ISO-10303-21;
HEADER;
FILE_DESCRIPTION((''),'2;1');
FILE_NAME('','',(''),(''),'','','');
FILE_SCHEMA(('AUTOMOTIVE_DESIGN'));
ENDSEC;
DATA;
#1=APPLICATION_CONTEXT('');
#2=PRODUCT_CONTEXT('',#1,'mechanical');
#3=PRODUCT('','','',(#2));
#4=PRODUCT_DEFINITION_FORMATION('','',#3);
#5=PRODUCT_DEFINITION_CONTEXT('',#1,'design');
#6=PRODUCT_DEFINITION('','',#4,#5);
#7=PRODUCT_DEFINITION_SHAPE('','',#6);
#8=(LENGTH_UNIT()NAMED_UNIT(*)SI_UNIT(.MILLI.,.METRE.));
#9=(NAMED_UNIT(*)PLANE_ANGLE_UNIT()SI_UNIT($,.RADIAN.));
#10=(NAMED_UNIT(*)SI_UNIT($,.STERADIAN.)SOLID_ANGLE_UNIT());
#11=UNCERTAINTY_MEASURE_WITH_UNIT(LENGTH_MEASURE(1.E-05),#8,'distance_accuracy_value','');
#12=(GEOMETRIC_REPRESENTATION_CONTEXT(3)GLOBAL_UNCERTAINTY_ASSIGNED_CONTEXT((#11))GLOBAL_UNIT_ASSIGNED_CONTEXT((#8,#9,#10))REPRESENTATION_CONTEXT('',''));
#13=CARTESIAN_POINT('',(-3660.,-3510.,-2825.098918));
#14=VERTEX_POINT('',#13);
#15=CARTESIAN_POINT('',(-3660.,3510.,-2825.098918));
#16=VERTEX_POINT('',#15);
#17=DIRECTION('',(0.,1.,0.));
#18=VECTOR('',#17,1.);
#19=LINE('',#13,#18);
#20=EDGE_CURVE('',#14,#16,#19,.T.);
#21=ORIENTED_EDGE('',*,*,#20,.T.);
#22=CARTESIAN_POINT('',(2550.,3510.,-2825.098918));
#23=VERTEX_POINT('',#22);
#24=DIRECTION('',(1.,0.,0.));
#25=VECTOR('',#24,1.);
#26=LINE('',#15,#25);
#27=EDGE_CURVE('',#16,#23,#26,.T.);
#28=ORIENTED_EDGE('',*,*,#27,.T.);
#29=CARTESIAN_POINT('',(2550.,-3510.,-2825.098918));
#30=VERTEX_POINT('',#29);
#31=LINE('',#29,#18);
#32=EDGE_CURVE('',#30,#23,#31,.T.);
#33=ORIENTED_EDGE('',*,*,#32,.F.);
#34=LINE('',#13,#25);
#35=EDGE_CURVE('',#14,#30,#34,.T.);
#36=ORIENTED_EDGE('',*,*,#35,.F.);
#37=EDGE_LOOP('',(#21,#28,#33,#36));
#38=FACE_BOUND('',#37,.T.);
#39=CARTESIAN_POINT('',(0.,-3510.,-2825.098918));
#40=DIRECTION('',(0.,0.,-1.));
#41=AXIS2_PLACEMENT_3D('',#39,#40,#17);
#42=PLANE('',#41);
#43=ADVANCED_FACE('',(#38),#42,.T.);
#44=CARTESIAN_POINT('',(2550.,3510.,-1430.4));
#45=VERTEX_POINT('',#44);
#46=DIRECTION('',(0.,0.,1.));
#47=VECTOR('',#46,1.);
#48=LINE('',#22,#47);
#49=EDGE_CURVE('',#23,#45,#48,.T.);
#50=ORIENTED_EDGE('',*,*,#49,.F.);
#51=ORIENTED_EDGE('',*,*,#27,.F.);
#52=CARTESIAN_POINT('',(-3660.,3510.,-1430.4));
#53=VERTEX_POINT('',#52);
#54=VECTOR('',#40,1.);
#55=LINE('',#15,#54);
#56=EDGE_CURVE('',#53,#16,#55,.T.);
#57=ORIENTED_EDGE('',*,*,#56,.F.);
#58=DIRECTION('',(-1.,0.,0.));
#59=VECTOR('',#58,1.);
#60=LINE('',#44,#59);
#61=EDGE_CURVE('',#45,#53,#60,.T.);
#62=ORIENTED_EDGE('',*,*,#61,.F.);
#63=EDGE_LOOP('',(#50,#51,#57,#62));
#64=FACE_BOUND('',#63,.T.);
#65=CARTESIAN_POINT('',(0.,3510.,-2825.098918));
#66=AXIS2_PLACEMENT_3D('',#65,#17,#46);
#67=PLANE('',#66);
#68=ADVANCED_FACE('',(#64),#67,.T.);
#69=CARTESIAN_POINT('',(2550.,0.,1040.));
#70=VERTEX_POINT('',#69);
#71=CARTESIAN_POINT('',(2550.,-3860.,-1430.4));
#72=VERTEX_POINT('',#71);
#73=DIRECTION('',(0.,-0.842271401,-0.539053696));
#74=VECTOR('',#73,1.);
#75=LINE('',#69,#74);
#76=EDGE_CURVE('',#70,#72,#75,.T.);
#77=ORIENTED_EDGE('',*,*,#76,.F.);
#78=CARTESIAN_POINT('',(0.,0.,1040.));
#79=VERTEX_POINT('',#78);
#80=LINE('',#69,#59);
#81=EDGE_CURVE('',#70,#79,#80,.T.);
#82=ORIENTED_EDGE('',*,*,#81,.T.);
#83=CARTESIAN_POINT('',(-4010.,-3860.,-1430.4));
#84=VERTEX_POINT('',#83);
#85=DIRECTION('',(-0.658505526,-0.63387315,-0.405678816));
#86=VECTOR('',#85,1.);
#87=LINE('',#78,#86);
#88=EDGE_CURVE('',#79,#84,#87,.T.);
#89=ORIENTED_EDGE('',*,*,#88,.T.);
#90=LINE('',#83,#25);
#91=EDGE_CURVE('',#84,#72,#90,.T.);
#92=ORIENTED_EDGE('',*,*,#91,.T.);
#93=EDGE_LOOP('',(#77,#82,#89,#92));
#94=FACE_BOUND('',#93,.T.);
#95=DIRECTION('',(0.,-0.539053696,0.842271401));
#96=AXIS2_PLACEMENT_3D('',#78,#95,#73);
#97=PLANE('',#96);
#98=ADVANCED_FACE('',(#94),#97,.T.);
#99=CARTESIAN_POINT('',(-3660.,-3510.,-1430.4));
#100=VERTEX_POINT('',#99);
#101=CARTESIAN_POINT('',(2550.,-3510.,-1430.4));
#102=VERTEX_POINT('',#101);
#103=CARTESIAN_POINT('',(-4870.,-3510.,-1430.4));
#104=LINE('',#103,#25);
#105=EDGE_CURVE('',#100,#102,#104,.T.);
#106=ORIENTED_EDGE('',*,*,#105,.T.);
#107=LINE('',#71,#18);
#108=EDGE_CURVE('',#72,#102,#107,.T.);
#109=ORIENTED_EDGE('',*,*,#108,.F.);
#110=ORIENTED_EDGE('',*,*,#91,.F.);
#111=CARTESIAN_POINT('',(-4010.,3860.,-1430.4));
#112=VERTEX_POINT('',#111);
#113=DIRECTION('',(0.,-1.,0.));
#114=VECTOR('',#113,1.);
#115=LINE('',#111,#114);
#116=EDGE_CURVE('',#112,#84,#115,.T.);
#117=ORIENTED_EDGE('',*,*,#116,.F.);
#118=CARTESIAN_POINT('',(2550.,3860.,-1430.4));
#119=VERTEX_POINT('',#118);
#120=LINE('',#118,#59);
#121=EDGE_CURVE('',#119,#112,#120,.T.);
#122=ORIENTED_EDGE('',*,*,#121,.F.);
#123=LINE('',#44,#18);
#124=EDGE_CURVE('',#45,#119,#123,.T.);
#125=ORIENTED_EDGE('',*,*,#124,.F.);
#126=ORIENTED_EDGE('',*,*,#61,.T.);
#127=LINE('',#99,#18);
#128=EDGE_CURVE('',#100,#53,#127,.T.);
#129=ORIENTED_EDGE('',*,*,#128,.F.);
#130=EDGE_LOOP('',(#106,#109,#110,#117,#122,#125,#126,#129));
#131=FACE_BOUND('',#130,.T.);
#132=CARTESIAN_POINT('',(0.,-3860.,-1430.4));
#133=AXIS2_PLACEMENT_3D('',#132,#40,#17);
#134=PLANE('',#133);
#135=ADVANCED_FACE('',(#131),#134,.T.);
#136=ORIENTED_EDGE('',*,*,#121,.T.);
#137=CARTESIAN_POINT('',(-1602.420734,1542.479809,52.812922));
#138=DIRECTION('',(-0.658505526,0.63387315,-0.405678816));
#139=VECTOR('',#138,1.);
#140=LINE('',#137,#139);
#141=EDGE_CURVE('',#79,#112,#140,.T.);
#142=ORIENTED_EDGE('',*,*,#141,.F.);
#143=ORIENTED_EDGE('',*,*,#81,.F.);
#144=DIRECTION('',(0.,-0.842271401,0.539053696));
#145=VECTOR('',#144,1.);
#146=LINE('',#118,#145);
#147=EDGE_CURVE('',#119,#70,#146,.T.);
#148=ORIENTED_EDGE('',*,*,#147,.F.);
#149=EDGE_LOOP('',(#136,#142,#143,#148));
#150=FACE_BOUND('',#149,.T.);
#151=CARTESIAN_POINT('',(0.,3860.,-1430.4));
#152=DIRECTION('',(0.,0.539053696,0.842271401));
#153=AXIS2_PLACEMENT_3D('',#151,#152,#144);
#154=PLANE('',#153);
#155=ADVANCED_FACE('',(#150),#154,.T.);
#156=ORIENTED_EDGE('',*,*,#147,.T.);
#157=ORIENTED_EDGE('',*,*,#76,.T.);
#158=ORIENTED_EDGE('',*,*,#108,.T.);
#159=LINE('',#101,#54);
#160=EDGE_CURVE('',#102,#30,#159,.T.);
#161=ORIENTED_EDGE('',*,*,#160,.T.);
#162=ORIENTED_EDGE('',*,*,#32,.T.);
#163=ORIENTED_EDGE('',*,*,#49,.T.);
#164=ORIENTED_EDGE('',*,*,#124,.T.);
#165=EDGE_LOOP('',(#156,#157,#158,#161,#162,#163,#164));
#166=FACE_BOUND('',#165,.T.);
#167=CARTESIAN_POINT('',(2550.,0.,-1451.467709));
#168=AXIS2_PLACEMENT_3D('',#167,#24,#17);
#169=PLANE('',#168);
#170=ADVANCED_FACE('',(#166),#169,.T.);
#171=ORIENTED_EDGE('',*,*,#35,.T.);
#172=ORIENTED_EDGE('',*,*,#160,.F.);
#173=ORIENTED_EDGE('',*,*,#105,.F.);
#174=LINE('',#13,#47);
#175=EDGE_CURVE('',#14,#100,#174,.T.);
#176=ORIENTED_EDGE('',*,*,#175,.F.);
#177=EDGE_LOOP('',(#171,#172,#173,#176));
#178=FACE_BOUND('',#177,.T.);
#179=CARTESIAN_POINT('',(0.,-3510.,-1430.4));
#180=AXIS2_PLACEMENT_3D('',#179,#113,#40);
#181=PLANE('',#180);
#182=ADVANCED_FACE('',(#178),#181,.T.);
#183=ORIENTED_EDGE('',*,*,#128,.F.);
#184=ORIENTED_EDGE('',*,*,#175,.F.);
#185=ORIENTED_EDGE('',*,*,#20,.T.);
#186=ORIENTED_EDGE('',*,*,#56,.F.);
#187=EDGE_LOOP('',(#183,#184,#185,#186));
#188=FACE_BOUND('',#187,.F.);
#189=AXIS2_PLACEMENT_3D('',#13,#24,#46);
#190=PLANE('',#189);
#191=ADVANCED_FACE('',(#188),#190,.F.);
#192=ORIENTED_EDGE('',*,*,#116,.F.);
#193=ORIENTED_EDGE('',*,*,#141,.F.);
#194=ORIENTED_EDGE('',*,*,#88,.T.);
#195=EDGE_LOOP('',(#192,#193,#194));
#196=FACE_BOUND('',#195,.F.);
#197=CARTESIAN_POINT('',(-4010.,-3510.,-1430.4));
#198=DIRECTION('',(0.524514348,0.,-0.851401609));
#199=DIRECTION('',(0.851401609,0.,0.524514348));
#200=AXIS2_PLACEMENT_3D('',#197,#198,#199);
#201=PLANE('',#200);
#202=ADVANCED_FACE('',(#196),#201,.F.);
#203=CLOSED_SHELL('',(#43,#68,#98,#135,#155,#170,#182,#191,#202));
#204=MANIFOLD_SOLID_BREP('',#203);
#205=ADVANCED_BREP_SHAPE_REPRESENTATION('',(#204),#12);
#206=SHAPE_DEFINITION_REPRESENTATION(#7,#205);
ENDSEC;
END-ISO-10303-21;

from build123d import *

# Parameters (mm, degrees)
F1_DEPTH      = 2550
F1_DEPTH_BACK = 4870
F3_DEPTH      = 7370.001
F3_DEPTH_BACK = 350.001


with BuildPart() as f1:
    # F0 (on Right) → F1 (new body, two sides)
    with BuildSketch(Plane.YZ) as f1_sk:
        Polygon((0, 1040), (-1625, 0), (-3860, -1430.4), (-3510, -1430.4), (-3510, -2825.0989178658), (-1497.2229003906, -2825.0989178658), (-860, -2825.0989178658), (2955, -2825.0989178658), (3030, -2825.0989178658), (3510, -2825.0989178658), (3510, -1430.4), (3860, -1430.4), (1625, 0), align=None)
    extrude(amount=F1_DEPTH)
    extrude(f1_sk.sketch, amount=-F1_DEPTH_BACK)

    # F2 (on face) → F3 (cut, two sides)
    with BuildSketch(Plane.XZ.offset(3510)) as f3_sk:
        Polygon((0, -2825.0989178658), (-3660, -2825.0989178658), (-4870, -2825.0989178658), (-4870, -1430.4), (-4010, -1430.4), (0, 1040), (0, 1641.8843269348), (-5604.5145988464, 1641.8843269348), (-5604.5145988464, -4045.9384918213), (0, -4045.9384918213), align=None)
        Polygon((-3660, -2825.0989178658), (-3660, -1430.4), (-4010, -1430.4), (-4870, -1430.4), (-4870, -2825.0989178658), align=None)
    extrude(amount=-F3_DEPTH, mode=Mode.SUBTRACT)
    extrude(f3_sk.sketch, amount=F3_DEPTH_BACK, mode=Mode.SUBTRACT)


solid = f1.part
